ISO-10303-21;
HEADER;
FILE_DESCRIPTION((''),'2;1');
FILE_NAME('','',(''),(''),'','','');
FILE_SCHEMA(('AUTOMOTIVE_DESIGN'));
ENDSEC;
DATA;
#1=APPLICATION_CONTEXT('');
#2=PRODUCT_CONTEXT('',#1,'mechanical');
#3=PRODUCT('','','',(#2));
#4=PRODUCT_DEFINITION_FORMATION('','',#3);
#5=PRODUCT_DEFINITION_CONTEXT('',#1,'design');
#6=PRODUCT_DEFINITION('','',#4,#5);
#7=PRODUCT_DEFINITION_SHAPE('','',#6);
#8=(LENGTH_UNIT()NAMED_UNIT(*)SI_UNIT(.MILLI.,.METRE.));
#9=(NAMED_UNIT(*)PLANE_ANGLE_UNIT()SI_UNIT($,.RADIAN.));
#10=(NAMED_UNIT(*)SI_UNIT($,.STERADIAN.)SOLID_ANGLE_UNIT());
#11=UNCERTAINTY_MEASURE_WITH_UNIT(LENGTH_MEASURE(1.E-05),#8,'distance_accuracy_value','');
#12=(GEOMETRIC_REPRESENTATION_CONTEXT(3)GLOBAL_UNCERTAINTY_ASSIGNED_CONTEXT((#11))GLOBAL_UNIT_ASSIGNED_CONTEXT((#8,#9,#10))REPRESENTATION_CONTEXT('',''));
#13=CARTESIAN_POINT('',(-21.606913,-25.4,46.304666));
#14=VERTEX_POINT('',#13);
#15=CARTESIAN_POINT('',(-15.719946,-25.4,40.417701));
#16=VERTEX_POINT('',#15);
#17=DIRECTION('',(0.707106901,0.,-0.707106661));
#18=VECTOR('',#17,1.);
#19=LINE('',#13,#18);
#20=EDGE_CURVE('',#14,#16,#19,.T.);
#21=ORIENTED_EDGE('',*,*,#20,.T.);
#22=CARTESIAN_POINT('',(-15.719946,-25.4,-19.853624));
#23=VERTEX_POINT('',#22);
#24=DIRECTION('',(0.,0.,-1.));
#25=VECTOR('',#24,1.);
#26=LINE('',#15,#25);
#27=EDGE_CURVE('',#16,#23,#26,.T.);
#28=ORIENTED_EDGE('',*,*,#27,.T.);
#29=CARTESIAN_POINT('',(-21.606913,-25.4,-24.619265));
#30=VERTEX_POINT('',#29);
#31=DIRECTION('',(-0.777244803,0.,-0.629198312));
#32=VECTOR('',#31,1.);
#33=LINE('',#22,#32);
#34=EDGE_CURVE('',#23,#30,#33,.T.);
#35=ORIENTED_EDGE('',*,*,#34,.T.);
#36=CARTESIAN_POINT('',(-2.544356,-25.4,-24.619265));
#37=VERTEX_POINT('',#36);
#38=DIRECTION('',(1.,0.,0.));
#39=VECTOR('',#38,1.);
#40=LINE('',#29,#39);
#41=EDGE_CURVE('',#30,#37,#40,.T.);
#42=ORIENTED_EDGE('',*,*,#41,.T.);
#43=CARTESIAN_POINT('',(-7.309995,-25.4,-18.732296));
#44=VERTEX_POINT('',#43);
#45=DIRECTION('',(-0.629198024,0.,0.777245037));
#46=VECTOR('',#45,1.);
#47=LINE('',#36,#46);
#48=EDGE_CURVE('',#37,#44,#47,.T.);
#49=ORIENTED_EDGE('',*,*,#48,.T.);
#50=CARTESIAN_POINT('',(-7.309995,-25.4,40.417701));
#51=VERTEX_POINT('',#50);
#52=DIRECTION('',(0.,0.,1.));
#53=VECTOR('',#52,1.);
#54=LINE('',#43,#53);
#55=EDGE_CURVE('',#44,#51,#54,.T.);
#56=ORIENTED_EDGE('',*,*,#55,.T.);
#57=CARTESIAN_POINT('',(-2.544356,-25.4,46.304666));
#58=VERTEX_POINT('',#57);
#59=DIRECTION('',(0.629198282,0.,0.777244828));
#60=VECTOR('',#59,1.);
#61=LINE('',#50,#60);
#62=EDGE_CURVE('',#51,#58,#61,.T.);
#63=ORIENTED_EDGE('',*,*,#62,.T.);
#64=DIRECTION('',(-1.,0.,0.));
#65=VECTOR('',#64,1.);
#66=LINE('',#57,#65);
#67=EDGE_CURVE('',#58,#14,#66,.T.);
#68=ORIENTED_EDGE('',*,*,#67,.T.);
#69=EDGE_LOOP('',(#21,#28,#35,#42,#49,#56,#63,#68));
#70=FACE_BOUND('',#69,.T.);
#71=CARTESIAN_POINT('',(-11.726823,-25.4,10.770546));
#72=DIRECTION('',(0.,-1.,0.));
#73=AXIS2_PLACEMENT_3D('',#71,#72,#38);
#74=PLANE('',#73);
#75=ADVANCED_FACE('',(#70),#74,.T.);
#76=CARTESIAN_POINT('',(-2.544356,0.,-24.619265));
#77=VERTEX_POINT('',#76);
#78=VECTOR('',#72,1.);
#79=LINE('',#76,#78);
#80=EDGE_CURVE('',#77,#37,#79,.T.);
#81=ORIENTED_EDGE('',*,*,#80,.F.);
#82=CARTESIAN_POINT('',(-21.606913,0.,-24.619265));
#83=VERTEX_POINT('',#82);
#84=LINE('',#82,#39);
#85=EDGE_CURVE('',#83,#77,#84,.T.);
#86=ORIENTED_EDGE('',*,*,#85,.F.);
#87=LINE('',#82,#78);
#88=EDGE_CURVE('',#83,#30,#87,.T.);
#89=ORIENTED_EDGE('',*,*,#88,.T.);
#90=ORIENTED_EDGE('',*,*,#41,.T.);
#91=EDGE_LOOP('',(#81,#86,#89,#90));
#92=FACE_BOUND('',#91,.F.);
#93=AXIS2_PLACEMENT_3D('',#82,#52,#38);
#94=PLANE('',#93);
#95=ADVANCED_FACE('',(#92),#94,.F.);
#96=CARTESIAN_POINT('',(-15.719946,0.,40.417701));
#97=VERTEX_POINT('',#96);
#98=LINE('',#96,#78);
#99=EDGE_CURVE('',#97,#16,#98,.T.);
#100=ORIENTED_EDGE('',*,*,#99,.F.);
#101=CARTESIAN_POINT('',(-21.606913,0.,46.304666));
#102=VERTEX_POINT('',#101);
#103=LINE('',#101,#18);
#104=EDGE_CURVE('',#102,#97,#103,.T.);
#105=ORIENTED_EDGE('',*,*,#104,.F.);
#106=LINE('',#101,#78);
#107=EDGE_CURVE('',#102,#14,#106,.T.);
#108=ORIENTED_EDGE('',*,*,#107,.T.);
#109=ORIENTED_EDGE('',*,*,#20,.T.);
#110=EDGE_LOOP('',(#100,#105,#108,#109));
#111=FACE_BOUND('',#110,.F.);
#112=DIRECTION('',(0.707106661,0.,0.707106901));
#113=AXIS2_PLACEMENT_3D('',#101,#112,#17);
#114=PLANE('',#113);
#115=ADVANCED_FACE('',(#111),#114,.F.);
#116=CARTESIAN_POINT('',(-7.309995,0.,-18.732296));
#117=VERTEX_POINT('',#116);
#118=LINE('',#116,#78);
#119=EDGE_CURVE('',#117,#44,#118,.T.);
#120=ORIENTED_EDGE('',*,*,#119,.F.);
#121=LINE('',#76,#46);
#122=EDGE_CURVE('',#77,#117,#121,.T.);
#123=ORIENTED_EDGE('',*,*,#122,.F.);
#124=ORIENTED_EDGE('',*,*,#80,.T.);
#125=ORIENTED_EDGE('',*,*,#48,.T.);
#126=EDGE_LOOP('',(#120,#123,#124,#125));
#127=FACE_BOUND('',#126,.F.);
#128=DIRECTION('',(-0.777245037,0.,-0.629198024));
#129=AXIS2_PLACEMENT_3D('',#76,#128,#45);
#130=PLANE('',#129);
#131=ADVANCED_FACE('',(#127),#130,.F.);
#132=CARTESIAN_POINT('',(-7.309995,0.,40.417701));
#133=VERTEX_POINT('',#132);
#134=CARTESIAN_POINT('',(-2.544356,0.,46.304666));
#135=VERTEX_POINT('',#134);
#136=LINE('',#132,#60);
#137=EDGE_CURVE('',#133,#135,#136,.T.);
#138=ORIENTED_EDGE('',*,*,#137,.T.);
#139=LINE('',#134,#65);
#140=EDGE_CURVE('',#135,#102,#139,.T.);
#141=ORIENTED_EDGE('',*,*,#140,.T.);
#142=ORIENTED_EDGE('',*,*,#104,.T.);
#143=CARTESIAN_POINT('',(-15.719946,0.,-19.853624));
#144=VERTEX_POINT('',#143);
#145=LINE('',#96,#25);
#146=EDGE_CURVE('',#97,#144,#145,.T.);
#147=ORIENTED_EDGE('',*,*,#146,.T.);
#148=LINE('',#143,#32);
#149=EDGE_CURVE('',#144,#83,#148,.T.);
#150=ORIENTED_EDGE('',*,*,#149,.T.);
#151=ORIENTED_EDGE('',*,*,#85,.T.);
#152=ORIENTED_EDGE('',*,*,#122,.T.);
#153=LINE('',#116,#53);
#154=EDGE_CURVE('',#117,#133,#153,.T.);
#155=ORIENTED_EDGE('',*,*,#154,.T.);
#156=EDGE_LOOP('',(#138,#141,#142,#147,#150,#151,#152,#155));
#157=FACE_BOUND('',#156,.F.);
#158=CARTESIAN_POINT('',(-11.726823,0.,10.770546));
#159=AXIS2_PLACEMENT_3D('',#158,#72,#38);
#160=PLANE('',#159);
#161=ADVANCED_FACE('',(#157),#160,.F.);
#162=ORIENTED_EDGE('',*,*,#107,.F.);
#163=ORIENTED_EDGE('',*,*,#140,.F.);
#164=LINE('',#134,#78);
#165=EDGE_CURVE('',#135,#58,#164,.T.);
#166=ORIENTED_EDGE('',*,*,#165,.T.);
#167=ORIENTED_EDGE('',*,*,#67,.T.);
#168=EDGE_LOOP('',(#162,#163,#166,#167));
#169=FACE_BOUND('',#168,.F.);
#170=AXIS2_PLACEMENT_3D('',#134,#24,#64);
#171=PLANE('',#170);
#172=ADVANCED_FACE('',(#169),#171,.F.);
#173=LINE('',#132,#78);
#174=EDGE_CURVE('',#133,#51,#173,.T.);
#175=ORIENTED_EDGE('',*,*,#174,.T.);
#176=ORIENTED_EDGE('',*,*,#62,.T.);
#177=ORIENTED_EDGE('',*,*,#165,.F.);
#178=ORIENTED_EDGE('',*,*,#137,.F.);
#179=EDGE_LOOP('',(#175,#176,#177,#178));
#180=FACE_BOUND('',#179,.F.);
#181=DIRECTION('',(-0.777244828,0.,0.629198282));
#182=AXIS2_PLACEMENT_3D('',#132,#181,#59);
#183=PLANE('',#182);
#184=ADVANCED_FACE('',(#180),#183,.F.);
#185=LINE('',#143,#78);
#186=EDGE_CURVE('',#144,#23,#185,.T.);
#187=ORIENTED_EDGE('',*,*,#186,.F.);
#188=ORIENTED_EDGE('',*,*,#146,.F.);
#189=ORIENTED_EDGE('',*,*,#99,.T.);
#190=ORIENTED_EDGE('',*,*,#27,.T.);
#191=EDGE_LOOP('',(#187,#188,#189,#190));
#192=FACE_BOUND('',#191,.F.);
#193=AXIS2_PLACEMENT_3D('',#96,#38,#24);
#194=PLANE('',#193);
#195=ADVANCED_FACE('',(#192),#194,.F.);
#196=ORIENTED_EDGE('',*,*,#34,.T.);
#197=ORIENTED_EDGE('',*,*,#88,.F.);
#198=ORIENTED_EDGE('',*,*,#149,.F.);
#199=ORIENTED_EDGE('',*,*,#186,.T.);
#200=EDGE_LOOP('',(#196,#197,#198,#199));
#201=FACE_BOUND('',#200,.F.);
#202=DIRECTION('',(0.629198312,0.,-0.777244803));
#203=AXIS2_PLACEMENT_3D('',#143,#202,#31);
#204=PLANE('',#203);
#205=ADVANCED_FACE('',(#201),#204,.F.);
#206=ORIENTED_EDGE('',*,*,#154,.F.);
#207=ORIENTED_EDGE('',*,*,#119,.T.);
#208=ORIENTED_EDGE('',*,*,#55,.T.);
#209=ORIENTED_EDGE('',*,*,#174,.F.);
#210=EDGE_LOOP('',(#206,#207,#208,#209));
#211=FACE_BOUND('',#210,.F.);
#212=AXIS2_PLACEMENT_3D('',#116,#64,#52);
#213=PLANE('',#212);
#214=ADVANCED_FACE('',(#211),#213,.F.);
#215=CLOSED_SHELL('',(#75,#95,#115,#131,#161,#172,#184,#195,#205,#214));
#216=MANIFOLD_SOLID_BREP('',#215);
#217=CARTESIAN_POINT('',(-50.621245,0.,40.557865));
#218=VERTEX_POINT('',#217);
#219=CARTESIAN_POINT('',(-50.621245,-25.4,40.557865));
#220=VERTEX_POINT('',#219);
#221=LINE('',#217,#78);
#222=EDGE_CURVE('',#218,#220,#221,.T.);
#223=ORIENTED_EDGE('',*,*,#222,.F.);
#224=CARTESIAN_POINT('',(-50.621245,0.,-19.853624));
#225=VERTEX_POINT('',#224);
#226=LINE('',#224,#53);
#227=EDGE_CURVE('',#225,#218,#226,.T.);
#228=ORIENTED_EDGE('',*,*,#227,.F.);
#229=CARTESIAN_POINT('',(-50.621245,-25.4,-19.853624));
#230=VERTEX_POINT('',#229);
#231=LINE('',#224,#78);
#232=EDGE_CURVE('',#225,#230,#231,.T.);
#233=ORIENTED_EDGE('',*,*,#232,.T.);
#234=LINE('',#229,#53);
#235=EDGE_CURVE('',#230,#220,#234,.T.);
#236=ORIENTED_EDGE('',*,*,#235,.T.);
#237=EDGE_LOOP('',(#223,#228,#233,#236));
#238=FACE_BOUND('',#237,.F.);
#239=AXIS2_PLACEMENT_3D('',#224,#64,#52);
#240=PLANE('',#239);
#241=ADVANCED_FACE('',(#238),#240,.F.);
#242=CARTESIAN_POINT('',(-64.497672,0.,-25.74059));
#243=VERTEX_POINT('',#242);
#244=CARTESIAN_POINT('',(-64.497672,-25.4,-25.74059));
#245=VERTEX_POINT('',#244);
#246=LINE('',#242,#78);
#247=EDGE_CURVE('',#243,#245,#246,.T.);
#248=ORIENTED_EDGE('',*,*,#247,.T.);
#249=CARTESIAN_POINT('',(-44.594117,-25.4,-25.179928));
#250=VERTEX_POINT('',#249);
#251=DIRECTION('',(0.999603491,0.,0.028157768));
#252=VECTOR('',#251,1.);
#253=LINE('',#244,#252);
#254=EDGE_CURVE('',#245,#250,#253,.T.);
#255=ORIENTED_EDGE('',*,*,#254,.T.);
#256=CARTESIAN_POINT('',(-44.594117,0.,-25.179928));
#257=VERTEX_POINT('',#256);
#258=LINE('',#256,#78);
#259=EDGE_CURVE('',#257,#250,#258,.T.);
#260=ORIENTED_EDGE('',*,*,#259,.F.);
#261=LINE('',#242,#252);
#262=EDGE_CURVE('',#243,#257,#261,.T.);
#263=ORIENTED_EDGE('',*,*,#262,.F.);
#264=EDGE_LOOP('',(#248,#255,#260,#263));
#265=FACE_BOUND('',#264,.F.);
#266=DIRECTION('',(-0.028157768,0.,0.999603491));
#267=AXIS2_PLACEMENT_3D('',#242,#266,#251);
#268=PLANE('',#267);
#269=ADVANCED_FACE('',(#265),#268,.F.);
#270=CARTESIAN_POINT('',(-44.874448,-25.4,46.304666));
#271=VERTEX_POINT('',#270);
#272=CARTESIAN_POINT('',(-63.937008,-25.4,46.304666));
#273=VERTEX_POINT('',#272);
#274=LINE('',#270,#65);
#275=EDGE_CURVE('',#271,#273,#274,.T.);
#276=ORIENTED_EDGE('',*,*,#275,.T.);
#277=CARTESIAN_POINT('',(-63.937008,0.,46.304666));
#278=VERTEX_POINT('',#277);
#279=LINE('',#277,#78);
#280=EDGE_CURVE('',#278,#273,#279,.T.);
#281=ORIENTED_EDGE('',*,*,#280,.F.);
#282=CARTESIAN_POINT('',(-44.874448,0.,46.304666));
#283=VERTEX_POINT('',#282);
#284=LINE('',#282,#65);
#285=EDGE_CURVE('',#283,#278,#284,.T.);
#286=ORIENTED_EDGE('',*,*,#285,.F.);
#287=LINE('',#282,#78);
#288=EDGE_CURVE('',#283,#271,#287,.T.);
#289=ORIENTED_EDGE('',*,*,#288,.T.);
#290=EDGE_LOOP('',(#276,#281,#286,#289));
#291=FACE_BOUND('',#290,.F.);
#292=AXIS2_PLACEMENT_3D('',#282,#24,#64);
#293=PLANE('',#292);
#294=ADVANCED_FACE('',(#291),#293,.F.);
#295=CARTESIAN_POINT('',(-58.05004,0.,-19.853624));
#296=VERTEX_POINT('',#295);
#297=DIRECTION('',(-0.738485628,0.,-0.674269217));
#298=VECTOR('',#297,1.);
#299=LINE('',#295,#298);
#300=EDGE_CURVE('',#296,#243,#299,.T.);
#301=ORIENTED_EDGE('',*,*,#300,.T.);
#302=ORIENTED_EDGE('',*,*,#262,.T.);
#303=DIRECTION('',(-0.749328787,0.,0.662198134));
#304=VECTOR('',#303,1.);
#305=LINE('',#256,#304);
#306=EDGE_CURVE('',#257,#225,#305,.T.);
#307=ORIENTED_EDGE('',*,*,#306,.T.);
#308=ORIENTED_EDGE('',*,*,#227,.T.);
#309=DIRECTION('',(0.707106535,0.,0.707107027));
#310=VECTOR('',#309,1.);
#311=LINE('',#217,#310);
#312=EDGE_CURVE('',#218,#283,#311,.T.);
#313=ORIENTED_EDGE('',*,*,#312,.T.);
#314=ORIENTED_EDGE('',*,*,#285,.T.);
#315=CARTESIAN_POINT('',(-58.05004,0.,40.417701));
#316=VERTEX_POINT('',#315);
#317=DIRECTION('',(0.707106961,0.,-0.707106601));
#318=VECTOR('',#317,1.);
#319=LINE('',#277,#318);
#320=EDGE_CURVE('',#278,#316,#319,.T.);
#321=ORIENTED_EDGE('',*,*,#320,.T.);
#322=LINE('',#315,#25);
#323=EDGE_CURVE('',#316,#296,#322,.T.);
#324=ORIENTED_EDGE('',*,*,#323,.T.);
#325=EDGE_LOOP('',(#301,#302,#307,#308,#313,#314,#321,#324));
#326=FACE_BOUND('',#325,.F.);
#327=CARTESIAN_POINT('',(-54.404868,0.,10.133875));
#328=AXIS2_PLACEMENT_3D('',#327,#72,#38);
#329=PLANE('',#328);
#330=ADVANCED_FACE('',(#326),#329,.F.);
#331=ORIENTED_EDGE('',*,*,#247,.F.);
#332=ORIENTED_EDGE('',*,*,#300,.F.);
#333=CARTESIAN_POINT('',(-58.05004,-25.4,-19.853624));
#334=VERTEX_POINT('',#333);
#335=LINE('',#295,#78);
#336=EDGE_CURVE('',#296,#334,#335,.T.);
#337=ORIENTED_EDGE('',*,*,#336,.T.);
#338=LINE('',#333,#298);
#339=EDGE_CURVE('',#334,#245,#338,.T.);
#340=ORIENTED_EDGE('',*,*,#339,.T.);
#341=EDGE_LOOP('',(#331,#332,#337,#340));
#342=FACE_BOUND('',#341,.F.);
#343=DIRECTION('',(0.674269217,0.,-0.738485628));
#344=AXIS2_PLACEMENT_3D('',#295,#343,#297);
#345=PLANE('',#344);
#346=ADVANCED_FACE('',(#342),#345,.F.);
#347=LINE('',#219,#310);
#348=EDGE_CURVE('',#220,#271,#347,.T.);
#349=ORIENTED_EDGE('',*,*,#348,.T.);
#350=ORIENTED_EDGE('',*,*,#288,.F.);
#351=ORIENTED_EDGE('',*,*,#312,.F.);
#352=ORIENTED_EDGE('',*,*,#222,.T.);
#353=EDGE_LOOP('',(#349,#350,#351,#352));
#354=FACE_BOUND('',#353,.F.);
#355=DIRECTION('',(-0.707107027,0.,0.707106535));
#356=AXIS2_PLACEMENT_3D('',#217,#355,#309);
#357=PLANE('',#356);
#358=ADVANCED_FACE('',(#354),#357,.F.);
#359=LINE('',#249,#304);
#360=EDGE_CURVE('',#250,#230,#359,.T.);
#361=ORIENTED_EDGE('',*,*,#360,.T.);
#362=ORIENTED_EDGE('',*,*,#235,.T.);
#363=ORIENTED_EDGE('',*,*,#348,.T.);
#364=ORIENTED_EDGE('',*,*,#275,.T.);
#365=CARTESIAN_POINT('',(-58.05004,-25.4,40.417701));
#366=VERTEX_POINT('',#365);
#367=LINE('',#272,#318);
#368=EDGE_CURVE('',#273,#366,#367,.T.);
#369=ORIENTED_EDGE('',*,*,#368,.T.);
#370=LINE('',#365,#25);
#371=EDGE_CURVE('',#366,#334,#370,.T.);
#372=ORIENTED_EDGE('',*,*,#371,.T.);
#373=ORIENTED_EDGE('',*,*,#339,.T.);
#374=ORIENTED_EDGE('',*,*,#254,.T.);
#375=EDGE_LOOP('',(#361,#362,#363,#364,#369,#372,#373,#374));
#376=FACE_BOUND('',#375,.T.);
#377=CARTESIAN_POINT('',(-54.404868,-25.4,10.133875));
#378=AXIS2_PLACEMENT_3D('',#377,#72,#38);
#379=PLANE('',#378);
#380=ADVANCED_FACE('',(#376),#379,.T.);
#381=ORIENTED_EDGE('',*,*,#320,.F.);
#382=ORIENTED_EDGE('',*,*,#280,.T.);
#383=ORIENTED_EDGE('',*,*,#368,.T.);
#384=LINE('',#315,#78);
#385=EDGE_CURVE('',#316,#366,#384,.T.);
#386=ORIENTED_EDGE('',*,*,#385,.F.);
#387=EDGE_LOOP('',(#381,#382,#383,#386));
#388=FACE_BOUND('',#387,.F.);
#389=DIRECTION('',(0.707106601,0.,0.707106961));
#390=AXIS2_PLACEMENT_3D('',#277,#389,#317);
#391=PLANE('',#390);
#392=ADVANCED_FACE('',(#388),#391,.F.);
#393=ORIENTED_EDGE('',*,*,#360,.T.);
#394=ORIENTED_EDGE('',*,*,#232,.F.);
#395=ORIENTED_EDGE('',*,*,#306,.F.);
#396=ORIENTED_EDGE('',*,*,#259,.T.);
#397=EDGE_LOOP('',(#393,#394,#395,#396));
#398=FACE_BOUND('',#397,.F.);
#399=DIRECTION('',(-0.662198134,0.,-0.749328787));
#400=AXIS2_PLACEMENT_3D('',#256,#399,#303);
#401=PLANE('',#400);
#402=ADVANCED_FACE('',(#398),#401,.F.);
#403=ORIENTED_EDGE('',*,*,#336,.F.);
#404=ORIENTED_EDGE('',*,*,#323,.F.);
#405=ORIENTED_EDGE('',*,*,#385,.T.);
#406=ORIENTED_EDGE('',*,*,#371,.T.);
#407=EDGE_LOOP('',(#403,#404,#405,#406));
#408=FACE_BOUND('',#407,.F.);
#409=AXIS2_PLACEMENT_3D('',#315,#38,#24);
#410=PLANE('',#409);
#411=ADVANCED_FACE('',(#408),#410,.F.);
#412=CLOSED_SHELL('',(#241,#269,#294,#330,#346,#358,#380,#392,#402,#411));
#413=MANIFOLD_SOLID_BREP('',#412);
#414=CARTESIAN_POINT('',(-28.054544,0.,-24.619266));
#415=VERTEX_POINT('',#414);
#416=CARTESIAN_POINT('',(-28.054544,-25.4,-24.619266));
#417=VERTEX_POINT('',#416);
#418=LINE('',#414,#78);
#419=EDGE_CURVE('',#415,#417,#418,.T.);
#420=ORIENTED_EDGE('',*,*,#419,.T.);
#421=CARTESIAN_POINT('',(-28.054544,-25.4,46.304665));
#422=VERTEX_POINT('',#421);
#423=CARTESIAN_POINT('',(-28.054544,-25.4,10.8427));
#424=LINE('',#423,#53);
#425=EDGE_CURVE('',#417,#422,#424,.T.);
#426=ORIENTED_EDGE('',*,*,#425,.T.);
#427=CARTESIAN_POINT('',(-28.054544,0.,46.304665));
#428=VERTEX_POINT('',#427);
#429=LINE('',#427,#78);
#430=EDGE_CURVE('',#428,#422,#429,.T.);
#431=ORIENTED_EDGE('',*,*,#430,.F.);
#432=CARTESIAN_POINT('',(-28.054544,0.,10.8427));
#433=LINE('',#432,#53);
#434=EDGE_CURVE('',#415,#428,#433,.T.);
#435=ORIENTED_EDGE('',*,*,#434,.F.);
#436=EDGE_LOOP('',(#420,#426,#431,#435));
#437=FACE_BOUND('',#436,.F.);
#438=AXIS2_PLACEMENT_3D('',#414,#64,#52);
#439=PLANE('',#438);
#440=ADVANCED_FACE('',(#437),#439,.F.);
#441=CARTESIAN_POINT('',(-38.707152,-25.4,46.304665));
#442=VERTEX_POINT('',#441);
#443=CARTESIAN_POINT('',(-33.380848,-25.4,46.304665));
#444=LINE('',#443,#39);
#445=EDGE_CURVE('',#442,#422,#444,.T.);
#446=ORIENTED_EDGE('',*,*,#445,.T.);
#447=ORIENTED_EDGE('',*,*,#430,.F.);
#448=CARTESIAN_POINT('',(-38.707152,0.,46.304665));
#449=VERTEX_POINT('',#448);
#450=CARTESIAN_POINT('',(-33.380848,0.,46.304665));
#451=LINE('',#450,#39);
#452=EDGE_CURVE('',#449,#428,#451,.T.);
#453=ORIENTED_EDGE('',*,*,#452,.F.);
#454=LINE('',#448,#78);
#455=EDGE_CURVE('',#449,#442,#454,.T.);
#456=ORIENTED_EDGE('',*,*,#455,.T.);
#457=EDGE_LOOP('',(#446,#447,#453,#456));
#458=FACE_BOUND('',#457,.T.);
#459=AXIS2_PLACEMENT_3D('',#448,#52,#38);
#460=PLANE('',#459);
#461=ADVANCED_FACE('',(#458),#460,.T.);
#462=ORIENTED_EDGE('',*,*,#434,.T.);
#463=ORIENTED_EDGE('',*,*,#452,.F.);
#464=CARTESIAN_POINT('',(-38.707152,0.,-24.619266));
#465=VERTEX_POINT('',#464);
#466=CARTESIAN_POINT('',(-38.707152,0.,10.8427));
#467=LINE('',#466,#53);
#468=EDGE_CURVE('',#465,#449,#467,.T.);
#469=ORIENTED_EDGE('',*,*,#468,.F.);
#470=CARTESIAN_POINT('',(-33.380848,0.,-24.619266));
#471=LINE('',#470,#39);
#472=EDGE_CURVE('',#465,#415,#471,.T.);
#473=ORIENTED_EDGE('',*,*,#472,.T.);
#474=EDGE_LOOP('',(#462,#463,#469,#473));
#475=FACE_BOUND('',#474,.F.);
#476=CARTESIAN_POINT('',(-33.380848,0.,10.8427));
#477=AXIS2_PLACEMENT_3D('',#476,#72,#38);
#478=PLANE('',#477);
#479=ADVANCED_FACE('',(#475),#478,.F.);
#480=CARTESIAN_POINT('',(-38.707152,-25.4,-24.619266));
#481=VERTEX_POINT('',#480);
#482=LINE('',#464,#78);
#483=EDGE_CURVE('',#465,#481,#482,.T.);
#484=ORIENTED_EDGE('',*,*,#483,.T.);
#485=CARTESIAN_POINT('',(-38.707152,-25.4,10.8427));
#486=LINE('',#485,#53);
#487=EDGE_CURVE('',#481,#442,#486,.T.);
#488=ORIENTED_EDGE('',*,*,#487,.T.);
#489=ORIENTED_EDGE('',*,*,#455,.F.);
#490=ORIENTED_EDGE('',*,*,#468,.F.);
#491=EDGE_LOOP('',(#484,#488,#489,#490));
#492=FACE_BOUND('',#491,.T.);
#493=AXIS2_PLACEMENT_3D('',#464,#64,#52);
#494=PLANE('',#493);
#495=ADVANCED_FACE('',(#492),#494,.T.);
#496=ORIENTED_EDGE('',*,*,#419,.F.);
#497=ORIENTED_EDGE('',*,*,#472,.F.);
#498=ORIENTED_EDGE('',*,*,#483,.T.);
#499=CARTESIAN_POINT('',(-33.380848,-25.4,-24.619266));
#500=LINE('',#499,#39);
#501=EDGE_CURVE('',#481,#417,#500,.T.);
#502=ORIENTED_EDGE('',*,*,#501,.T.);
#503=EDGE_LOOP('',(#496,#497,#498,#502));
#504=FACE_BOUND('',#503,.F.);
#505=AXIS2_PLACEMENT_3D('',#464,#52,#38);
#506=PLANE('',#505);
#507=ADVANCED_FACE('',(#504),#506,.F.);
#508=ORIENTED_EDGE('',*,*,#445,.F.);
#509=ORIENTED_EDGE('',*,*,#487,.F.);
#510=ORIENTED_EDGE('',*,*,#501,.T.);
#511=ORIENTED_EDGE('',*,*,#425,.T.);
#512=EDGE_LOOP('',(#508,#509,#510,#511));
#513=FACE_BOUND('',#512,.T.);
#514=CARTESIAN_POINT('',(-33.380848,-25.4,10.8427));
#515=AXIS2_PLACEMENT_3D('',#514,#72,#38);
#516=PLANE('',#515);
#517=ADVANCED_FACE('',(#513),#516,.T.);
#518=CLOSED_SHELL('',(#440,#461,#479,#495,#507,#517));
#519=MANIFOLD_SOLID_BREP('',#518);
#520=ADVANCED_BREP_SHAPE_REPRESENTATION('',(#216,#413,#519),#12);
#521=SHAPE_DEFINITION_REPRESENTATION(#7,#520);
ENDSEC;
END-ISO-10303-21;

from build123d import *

# Parameters (mm, degrees)
F0_W     = 10.652607
F0_H     = 70.923931
F1_DEPTH = 25.4


with BuildPart() as f1:
    # F0 (on Front) → F1 (new body)
    with BuildSketch(Plane.XZ):
        Polygon((-44.874448, 46.304666), (-63.937008, 46.304666), (-58.05004, 40.417701), (-58.05004, -19.853624), (-64.497672, -25.74059), (-44.594117, -25.179928), (-50.621245, -19.853624), (-50.621245, 40.557865), align=None)
        with Locations((-33.380848, 10.8427)):
            Rectangle(F0_W, F0_H)
        Polygon((-2.544356, 46.304666), (-21.606913, 46.304666), (-15.719946, 40.417701), (-15.719946, -19.853624), (-21.606913, -24.619265), (-2.544356, -24.619265), (-7.309995, -18.732296), (-7.309995, 40.417701), align=None)
    extrude(amount=F1_DEPTH)


solid = f1.part
